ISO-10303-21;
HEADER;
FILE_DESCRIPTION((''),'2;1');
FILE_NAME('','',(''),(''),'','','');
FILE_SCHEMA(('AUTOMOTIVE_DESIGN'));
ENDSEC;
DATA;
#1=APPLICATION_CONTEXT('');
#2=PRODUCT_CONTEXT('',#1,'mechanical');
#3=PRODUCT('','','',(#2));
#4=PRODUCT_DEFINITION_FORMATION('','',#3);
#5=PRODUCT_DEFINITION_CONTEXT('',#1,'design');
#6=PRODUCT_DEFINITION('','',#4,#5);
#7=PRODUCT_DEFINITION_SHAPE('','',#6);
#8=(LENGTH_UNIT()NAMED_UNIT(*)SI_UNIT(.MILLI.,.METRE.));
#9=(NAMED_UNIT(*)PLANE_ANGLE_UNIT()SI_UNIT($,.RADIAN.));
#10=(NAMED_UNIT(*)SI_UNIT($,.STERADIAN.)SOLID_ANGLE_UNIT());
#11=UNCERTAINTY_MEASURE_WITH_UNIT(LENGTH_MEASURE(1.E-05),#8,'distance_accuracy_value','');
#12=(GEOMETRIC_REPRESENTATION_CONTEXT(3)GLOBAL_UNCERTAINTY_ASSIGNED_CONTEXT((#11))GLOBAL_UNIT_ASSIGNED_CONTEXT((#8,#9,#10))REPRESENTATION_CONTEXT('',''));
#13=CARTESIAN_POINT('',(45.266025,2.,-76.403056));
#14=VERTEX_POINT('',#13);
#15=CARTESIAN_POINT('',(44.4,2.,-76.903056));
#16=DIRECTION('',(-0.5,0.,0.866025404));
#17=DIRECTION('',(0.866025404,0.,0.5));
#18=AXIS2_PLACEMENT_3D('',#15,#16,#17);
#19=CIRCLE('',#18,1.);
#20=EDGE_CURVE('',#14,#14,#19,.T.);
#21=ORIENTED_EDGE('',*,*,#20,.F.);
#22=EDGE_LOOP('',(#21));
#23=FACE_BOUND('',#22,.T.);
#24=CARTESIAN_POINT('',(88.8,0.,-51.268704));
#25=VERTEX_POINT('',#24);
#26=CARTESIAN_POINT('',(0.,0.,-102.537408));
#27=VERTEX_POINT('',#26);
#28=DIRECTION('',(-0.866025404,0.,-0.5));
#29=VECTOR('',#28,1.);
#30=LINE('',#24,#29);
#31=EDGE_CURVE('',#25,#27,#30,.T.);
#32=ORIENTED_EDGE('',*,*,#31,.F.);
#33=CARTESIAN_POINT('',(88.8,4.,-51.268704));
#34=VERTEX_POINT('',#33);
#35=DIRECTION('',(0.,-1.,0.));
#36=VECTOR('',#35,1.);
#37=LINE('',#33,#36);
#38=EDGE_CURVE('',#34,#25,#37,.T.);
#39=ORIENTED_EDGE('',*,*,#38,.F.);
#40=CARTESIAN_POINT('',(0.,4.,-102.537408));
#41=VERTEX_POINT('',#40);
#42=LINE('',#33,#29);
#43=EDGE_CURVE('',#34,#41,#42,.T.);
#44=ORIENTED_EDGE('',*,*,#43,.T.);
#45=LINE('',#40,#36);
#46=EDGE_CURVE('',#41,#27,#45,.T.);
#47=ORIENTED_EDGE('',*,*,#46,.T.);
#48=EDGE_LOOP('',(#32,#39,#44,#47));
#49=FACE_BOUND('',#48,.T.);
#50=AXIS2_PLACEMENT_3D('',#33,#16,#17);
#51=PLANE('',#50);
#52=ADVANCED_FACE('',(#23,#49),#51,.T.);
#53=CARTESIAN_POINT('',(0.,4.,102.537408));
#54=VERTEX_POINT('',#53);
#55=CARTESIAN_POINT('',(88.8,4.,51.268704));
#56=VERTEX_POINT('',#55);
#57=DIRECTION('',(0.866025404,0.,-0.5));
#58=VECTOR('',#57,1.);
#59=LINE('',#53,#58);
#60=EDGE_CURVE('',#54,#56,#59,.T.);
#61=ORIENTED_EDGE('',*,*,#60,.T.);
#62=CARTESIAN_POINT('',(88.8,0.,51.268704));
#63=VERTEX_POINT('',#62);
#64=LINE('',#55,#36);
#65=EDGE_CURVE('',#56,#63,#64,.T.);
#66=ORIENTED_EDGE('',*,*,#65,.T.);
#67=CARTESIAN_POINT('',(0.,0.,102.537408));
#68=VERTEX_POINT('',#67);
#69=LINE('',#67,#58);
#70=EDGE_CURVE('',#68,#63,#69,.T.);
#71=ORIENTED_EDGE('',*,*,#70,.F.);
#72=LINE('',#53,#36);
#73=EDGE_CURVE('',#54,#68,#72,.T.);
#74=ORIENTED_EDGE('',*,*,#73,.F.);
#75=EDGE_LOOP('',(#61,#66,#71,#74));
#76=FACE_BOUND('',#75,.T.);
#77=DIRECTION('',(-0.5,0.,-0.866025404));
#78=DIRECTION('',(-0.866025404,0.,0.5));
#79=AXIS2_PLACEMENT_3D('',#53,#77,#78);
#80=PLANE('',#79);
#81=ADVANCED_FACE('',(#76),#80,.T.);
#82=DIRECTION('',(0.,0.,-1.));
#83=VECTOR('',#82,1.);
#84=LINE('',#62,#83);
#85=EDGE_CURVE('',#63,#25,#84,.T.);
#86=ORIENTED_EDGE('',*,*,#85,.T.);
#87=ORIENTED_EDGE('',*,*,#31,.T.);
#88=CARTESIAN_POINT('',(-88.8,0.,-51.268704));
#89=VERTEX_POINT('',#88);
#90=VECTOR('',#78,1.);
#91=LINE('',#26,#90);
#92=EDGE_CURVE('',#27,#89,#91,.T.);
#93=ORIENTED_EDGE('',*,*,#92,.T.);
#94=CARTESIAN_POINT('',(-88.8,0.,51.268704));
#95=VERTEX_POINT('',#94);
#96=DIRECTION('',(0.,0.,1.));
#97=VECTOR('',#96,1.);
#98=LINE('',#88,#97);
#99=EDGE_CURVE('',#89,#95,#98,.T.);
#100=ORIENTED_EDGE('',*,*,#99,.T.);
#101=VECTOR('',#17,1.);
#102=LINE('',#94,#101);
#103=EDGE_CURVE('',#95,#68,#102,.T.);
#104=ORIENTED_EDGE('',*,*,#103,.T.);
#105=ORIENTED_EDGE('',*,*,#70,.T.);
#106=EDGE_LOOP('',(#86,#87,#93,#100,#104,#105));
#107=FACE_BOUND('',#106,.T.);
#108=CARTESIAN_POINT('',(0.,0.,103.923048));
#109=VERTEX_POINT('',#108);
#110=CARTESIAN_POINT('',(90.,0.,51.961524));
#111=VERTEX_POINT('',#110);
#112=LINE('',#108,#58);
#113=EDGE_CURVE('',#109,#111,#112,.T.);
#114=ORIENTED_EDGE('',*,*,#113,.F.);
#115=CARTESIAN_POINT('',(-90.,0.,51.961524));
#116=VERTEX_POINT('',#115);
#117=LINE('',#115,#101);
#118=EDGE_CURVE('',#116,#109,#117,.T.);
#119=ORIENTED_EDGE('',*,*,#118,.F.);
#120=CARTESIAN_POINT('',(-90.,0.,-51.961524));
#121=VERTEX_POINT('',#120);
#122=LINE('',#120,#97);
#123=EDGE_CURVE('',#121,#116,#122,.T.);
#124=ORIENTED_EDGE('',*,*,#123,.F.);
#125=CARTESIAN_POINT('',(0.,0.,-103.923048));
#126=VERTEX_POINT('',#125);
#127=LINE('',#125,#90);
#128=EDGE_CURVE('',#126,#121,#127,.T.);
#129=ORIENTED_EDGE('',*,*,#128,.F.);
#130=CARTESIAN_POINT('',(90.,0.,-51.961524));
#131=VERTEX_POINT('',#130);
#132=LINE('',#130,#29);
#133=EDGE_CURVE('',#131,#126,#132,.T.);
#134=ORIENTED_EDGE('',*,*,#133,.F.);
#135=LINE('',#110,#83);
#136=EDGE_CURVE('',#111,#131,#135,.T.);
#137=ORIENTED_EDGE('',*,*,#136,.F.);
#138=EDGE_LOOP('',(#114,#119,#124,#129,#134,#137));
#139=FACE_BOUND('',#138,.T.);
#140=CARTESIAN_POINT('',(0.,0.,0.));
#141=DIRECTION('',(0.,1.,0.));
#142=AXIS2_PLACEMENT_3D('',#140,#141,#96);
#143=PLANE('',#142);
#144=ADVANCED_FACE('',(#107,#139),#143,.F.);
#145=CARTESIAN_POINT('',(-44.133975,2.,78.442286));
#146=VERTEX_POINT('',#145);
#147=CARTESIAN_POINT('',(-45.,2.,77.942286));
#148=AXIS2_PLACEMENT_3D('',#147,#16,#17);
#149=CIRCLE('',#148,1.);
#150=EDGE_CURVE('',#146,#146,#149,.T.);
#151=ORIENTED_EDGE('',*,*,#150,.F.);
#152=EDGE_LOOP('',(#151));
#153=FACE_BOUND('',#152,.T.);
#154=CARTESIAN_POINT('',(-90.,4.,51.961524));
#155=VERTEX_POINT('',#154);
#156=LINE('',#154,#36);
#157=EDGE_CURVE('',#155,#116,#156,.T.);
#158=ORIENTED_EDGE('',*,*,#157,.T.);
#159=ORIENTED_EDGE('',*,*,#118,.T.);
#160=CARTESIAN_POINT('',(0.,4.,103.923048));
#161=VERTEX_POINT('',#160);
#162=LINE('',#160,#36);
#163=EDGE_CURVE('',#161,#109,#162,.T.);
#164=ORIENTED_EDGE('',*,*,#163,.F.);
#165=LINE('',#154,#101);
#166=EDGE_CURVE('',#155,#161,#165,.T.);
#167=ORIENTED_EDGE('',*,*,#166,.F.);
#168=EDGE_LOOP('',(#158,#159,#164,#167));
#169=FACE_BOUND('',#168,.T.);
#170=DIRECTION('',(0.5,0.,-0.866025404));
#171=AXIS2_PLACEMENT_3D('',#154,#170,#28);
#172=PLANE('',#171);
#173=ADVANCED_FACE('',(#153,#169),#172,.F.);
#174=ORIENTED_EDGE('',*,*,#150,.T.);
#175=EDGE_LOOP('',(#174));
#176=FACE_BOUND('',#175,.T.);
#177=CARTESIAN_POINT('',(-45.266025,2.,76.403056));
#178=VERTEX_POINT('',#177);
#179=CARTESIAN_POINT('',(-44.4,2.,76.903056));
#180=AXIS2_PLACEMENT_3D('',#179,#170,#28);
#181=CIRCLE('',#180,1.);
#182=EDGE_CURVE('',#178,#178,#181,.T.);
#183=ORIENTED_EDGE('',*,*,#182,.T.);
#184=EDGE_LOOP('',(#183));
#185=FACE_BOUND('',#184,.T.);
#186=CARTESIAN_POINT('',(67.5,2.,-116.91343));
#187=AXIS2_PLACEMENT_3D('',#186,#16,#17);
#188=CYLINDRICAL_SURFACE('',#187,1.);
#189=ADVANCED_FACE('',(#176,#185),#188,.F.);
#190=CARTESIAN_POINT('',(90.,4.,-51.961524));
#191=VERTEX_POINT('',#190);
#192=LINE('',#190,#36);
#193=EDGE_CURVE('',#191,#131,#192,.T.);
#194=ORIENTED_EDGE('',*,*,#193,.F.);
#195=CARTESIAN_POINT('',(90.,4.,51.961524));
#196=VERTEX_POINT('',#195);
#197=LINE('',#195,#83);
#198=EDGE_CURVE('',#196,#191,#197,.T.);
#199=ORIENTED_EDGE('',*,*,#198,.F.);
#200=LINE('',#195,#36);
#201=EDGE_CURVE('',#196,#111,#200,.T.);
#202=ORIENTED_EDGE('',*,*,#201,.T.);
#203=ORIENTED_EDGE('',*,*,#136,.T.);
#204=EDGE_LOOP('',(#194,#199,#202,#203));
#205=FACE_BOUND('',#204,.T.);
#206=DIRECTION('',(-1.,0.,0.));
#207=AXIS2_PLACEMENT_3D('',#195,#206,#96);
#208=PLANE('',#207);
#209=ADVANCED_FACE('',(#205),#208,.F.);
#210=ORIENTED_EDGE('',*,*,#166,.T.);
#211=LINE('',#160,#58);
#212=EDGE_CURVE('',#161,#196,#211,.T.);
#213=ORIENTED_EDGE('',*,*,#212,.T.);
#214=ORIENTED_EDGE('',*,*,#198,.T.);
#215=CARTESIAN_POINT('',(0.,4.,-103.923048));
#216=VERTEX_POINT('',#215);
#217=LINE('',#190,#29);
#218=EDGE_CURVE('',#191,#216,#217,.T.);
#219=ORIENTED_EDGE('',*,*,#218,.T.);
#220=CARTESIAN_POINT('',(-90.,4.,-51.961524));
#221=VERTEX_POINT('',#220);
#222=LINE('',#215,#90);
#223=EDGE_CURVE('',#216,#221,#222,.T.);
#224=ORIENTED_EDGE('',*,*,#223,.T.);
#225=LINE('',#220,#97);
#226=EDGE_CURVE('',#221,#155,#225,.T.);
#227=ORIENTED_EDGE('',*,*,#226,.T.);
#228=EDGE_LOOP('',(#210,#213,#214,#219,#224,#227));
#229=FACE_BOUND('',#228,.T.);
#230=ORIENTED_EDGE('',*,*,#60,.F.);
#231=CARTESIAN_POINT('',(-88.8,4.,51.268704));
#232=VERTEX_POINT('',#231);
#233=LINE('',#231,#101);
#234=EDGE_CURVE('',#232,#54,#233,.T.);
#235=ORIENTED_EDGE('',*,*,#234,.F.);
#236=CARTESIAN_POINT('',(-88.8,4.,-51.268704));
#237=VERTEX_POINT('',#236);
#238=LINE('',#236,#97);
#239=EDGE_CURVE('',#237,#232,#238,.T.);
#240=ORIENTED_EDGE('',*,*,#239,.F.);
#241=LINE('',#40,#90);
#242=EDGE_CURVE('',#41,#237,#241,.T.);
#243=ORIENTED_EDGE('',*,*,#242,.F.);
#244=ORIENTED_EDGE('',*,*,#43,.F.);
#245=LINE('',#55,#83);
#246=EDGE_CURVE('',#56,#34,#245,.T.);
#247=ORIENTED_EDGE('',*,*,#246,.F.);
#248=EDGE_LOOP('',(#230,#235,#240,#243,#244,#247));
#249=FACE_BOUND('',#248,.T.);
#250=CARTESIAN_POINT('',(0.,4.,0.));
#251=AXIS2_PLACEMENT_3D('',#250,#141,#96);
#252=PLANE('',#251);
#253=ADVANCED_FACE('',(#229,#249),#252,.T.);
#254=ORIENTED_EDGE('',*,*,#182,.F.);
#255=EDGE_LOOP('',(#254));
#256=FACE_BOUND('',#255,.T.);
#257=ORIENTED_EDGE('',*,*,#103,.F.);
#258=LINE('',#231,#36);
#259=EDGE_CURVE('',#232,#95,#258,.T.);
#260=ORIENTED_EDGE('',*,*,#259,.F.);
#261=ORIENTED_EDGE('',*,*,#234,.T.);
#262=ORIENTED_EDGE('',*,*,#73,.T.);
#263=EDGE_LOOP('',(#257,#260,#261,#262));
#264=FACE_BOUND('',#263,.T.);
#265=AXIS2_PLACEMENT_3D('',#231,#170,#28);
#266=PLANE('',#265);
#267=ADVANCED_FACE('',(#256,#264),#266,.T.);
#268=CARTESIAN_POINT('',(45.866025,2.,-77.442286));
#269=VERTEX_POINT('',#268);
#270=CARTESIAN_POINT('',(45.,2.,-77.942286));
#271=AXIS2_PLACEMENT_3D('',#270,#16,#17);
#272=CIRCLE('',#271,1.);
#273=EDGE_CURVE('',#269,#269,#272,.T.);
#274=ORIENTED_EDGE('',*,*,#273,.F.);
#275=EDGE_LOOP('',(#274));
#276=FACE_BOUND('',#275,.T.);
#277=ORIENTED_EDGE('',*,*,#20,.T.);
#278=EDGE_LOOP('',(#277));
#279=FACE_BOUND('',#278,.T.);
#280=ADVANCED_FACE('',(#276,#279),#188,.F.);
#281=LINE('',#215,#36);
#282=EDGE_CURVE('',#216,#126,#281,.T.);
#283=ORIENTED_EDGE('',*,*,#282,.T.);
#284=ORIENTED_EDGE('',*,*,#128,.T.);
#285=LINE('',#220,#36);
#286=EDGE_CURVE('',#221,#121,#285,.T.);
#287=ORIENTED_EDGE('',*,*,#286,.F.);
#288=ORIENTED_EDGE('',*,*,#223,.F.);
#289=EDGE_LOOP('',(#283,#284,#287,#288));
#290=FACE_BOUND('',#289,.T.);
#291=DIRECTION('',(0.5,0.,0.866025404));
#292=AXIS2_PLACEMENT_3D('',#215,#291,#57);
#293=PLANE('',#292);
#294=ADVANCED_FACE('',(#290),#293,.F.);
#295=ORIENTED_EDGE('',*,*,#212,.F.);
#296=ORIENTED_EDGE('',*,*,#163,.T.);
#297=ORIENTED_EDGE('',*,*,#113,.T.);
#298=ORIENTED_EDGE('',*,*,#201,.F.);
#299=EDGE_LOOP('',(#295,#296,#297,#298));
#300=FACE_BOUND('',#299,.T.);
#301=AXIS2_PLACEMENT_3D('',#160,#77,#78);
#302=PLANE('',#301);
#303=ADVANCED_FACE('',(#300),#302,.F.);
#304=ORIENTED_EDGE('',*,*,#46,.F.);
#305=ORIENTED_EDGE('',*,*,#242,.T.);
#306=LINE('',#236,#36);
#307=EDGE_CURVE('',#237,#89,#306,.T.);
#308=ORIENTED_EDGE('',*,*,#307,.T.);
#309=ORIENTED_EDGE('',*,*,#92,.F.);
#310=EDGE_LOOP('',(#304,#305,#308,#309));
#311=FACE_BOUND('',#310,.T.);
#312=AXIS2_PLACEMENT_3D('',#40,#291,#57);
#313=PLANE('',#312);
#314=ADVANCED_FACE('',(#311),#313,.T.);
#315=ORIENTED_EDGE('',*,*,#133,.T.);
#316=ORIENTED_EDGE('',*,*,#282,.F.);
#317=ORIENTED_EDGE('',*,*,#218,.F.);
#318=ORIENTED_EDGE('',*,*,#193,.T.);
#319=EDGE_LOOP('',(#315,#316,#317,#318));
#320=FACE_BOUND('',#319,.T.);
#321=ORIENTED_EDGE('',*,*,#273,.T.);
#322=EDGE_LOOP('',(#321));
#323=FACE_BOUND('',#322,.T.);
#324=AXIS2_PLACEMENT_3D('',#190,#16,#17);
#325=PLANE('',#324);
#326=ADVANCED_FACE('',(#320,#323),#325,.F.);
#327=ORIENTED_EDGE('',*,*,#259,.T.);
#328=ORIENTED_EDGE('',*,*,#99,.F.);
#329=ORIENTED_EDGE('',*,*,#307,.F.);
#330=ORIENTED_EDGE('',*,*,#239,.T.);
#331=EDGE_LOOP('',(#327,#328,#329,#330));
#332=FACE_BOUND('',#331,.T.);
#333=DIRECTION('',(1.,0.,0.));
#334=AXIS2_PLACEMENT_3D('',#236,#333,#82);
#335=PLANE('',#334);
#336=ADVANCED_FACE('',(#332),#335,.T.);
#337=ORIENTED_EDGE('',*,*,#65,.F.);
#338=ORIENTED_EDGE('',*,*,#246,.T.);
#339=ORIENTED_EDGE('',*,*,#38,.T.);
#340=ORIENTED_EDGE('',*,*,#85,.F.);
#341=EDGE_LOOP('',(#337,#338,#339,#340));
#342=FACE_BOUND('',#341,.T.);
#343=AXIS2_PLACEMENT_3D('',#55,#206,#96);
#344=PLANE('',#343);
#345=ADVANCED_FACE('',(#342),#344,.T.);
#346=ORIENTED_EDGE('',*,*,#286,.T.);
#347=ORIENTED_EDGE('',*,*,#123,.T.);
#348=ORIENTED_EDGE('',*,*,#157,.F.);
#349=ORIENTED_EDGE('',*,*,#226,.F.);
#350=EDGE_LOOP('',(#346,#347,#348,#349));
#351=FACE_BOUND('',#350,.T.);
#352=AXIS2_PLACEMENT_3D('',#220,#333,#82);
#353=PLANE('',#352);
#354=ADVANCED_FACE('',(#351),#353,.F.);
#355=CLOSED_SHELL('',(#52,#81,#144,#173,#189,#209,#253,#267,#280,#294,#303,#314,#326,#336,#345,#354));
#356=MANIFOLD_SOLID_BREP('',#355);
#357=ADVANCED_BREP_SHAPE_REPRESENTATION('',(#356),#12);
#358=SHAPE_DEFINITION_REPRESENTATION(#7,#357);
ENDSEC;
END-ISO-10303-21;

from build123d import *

# Parameters (mm, degrees)
RESSALTO_EXTRUS_O1_DEPTH = 4
ESBO_O2_R                = 1
CORTE_EXTRUS_O1_DEPTH    = 227.530351167


with BuildPart() as part:
    # Esboço1 → Ressalto-extrusão1 (new body)
    with BuildSketch(Plane(origin=(0, 0, 0), x_dir=(1, 0, 0), z_dir=(0, 1, 0))):
        Polygon((90, -51.961524227), (90, 51.961524227), (0, 103.923048454), (-90, 51.961524227), (-90, -51.961524227), (0, -103.923048454), align=None)
        Polygon((88.8, 51.268703904), (0, 102.537407808), (-88.8, 51.268703904), (-88.8, -51.268703904), (0, -102.537407808), (88.8, -51.268703904), align=None, mode=Mode.SUBTRACT)
    extrude(amount=RESSALTO_EXTRUS_O1_DEPTH)

    # Esboço2 → Corte-extrusão1 (cut, through all)
    with BuildSketch(Plane(origin=(-45, 0, 77.942286341), x_dir=(0.8660254037844387, 0, 0.49999999999999994), z_dir=(-0.4999999999999999, 0, 0.8660254037844386))):
        with Locations((0, 2)):
            Circle(ESBO_O2_R)
    extrude(amount=-CORTE_EXTRUS_O1_DEPTH, mode=Mode.SUBTRACT)


solid = part.part
